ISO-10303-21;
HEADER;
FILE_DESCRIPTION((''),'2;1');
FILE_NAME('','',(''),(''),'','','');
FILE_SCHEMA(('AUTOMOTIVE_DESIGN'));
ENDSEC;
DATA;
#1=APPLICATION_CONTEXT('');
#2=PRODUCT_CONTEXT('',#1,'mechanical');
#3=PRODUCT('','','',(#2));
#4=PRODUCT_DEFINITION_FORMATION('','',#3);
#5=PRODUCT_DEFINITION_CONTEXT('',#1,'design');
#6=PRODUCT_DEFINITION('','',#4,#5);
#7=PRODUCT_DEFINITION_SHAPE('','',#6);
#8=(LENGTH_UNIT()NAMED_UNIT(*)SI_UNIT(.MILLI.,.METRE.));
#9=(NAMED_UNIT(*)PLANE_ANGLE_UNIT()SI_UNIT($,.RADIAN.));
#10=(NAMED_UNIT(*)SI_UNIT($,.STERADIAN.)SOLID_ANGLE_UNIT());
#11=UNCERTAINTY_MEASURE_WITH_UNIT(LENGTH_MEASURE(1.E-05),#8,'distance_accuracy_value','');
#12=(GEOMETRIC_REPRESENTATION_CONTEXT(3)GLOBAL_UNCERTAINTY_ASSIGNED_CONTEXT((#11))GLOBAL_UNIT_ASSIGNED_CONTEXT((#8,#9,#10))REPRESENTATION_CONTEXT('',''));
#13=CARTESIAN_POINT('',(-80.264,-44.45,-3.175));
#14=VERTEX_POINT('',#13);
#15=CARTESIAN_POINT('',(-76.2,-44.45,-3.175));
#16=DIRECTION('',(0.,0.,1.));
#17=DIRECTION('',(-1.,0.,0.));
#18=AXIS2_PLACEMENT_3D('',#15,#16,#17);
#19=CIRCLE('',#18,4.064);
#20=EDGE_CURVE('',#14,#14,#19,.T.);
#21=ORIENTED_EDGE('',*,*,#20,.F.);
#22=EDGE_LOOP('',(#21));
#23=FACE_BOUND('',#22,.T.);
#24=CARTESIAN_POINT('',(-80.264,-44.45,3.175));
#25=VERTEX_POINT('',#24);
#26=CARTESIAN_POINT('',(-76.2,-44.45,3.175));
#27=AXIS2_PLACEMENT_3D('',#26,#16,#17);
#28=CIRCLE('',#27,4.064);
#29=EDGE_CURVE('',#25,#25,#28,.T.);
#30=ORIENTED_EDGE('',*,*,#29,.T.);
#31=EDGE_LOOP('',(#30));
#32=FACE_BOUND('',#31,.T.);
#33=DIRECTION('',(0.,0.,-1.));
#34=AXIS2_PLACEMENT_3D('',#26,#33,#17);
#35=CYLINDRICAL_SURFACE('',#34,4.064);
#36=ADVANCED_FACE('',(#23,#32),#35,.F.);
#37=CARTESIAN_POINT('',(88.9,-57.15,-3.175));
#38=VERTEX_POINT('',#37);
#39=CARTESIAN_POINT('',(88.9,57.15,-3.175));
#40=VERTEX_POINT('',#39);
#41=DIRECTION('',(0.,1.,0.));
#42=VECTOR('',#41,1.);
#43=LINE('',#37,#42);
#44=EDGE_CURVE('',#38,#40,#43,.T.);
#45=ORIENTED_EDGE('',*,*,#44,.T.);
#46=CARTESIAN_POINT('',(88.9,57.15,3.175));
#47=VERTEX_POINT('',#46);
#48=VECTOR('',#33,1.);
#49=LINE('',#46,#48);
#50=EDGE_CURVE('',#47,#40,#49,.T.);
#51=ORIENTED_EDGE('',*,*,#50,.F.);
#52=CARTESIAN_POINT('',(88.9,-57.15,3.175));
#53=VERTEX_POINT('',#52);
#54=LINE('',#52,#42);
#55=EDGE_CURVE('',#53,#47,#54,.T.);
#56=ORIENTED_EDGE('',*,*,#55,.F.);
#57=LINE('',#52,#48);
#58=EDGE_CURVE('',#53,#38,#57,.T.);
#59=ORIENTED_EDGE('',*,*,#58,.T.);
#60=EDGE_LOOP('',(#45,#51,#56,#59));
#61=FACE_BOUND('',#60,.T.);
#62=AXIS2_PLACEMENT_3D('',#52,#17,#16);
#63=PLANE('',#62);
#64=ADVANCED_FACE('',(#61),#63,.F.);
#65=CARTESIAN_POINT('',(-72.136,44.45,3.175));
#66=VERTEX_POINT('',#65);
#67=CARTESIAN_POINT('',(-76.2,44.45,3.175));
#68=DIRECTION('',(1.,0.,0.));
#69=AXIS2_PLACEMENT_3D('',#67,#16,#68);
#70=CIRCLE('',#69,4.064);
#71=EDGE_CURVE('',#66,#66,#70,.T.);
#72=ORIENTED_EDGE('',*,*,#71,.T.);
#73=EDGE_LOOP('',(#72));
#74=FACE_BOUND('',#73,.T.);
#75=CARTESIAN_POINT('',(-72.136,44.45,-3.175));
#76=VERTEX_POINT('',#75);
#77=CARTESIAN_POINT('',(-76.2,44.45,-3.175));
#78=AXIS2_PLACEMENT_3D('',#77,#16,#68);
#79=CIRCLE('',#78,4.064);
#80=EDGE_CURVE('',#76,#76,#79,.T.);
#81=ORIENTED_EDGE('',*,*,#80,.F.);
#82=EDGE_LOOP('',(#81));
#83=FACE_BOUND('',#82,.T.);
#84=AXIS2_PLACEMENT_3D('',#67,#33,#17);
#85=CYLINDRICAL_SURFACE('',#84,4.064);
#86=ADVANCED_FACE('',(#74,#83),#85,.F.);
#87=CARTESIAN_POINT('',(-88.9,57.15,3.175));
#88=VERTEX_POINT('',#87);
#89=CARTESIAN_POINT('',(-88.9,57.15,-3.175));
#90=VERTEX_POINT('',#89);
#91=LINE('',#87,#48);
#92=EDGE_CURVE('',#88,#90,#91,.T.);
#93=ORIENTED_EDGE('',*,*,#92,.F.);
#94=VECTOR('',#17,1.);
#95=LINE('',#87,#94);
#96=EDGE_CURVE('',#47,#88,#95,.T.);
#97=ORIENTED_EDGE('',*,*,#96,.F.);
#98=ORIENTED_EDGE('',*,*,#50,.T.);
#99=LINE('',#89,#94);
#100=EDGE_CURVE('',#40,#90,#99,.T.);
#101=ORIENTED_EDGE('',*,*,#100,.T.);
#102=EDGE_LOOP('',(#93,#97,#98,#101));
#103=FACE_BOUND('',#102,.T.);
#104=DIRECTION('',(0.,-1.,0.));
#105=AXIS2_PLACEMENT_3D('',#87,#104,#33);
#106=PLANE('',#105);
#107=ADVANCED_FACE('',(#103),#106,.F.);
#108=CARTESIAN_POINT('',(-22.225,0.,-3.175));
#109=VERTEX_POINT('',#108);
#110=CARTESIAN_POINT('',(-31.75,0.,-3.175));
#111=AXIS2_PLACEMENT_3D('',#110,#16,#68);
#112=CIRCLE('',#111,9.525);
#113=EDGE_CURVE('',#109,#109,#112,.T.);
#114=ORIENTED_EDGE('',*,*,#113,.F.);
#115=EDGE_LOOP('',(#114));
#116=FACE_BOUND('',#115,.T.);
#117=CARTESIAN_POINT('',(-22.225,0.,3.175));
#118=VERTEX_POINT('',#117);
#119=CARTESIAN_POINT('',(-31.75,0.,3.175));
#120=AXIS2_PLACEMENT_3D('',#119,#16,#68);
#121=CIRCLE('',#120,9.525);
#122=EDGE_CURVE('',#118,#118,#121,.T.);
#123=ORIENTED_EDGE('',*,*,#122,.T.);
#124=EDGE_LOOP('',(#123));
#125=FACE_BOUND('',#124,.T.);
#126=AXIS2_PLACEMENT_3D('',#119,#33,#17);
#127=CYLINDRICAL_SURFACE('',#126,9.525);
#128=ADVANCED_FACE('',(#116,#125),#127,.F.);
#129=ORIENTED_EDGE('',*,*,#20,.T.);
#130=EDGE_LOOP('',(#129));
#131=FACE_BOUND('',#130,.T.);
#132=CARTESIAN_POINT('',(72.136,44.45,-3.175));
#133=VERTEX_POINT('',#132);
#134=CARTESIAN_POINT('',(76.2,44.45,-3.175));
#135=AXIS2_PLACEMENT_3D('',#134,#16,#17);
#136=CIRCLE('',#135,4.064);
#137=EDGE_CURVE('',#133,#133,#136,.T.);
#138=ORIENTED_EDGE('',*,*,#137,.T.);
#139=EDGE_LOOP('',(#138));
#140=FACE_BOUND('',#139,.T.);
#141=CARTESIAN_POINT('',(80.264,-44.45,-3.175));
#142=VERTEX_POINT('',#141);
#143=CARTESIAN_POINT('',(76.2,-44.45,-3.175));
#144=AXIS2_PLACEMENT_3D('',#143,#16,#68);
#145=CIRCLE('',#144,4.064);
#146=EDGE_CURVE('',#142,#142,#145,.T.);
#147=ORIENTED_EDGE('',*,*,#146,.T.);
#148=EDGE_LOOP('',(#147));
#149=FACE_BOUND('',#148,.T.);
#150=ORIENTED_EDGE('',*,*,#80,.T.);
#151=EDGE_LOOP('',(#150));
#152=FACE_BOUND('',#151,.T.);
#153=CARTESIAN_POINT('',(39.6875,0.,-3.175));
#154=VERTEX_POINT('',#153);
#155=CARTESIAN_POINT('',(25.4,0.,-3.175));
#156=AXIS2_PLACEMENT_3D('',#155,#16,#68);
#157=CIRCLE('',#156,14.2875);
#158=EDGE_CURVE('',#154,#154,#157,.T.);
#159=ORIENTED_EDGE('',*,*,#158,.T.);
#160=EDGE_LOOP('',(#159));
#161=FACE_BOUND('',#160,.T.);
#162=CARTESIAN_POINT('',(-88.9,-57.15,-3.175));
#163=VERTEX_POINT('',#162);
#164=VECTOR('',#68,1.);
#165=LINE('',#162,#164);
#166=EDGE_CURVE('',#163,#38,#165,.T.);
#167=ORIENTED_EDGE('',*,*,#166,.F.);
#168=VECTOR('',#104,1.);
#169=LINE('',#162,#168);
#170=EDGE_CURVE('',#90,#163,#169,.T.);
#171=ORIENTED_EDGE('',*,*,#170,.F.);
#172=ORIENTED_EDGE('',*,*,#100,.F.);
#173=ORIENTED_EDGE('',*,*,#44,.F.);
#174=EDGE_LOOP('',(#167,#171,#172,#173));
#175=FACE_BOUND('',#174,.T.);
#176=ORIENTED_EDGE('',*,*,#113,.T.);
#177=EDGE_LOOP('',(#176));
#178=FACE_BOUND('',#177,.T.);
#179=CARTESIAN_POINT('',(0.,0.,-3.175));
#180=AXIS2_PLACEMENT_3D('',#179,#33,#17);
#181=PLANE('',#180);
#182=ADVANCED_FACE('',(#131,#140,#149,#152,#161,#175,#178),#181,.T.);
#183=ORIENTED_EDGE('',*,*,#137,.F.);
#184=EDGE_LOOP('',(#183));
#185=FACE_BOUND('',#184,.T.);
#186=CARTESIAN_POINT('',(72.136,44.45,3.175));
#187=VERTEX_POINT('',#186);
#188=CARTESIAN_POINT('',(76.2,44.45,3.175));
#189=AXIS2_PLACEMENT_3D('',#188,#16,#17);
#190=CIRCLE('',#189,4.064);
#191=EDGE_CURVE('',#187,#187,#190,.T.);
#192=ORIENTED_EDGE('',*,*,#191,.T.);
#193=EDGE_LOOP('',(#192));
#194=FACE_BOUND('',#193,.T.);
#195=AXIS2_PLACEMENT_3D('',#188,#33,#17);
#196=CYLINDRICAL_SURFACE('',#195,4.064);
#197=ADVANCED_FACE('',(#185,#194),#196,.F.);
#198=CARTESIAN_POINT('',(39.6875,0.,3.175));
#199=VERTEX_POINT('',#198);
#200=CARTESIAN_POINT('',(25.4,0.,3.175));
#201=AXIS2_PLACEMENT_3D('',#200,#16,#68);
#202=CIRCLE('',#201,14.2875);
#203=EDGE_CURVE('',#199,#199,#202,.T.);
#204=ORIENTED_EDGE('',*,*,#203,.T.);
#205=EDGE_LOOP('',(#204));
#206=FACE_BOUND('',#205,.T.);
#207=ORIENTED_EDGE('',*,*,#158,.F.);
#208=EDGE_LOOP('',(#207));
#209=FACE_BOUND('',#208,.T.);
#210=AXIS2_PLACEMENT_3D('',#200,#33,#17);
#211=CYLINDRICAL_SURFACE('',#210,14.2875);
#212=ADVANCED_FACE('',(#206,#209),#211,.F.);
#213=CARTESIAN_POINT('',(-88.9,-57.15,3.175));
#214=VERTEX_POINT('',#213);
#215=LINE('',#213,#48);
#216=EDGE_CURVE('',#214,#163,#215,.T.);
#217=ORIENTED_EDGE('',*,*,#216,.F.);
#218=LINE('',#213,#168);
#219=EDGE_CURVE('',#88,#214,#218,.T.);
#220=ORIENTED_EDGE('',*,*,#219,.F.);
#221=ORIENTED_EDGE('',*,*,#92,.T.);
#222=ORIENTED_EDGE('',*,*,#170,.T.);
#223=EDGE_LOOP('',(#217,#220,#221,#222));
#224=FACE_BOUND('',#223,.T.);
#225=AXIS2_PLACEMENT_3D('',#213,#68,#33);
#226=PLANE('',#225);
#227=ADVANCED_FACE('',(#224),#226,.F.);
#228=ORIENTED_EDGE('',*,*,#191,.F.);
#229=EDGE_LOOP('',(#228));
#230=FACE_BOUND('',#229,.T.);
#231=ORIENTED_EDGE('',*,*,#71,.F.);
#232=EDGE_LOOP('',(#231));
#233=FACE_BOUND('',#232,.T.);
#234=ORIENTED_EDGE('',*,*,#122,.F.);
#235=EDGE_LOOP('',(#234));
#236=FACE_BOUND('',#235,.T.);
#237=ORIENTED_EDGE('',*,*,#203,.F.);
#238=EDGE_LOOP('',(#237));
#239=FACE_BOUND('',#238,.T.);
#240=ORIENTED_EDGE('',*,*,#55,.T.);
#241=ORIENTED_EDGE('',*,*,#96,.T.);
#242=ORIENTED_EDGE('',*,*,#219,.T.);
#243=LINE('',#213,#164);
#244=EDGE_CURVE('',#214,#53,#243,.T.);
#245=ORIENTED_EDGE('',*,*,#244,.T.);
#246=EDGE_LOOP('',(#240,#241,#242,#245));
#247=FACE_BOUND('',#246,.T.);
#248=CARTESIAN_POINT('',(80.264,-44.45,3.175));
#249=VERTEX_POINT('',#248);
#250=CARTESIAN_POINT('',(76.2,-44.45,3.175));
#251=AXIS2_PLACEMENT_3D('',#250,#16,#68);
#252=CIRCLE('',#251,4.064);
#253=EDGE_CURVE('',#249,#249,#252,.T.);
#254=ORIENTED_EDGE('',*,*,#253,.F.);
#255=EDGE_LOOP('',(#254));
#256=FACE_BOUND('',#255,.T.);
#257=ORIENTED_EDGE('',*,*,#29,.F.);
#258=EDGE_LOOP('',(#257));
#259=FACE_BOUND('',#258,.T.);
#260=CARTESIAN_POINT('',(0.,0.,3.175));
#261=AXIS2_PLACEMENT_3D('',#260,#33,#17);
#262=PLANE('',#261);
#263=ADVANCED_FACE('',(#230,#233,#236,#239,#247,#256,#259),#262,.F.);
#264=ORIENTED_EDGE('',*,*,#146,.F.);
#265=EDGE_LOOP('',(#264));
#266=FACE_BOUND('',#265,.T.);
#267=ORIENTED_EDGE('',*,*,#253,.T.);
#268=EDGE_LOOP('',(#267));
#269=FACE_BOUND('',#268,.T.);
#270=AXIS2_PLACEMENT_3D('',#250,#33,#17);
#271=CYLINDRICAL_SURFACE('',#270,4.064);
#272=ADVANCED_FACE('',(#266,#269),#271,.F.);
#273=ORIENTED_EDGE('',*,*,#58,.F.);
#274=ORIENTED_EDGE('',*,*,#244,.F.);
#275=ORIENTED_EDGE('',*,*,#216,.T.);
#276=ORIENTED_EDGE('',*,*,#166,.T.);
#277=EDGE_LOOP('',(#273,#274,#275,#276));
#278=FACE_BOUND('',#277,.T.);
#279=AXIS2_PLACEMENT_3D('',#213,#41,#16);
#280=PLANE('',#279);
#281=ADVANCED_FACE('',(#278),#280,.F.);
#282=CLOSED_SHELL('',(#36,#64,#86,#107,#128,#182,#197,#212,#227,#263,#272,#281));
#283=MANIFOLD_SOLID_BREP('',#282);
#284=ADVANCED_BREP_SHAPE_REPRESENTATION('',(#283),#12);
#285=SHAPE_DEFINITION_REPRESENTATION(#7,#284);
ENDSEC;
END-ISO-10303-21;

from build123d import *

# Parameters (mm, degrees)
SKETCH1_W           = 177.8
SKETCH1_H           = 114.3
SKETCH1_R           = 14.2875
SKETCH1_R_2         = 9.525
SKETCH1_R_3         = 4.064
BOSS_EXTRUDE1_DEPTH = 3.175


with BuildPart() as part:
    # Sketch1 → Boss-Extrude1 (new, symmetric)
    with BuildSketch(Plane.XY):
        Rectangle(SKETCH1_W, SKETCH1_H)
        with Locations((25.4, 0)):
            Circle(SKETCH1_R, mode=Mode.SUBTRACT)
        with Locations((-31.75, 0)):
            Circle(SKETCH1_R_2, mode=Mode.SUBTRACT)
        with Locations((-76.2, 44.45)):
            Circle(SKETCH1_R_3, mode=Mode.SUBTRACT)
        with Locations(Location((-76.2, -44.45, 0), (0, 0, 180))):
            Circle(SKETCH1_R_3, mode=Mode.SUBTRACT)
        with Locations(Location((76.2, 44.45, 0), (0, 0, 180))):
            Circle(SKETCH1_R_3, mode=Mode.SUBTRACT)
        with Locations((76.2, -44.45)):
            Circle(SKETCH1_R_3, mode=Mode.SUBTRACT)
    extrude(amount=BOSS_EXTRUDE1_DEPTH, both=True)


solid = part.part
